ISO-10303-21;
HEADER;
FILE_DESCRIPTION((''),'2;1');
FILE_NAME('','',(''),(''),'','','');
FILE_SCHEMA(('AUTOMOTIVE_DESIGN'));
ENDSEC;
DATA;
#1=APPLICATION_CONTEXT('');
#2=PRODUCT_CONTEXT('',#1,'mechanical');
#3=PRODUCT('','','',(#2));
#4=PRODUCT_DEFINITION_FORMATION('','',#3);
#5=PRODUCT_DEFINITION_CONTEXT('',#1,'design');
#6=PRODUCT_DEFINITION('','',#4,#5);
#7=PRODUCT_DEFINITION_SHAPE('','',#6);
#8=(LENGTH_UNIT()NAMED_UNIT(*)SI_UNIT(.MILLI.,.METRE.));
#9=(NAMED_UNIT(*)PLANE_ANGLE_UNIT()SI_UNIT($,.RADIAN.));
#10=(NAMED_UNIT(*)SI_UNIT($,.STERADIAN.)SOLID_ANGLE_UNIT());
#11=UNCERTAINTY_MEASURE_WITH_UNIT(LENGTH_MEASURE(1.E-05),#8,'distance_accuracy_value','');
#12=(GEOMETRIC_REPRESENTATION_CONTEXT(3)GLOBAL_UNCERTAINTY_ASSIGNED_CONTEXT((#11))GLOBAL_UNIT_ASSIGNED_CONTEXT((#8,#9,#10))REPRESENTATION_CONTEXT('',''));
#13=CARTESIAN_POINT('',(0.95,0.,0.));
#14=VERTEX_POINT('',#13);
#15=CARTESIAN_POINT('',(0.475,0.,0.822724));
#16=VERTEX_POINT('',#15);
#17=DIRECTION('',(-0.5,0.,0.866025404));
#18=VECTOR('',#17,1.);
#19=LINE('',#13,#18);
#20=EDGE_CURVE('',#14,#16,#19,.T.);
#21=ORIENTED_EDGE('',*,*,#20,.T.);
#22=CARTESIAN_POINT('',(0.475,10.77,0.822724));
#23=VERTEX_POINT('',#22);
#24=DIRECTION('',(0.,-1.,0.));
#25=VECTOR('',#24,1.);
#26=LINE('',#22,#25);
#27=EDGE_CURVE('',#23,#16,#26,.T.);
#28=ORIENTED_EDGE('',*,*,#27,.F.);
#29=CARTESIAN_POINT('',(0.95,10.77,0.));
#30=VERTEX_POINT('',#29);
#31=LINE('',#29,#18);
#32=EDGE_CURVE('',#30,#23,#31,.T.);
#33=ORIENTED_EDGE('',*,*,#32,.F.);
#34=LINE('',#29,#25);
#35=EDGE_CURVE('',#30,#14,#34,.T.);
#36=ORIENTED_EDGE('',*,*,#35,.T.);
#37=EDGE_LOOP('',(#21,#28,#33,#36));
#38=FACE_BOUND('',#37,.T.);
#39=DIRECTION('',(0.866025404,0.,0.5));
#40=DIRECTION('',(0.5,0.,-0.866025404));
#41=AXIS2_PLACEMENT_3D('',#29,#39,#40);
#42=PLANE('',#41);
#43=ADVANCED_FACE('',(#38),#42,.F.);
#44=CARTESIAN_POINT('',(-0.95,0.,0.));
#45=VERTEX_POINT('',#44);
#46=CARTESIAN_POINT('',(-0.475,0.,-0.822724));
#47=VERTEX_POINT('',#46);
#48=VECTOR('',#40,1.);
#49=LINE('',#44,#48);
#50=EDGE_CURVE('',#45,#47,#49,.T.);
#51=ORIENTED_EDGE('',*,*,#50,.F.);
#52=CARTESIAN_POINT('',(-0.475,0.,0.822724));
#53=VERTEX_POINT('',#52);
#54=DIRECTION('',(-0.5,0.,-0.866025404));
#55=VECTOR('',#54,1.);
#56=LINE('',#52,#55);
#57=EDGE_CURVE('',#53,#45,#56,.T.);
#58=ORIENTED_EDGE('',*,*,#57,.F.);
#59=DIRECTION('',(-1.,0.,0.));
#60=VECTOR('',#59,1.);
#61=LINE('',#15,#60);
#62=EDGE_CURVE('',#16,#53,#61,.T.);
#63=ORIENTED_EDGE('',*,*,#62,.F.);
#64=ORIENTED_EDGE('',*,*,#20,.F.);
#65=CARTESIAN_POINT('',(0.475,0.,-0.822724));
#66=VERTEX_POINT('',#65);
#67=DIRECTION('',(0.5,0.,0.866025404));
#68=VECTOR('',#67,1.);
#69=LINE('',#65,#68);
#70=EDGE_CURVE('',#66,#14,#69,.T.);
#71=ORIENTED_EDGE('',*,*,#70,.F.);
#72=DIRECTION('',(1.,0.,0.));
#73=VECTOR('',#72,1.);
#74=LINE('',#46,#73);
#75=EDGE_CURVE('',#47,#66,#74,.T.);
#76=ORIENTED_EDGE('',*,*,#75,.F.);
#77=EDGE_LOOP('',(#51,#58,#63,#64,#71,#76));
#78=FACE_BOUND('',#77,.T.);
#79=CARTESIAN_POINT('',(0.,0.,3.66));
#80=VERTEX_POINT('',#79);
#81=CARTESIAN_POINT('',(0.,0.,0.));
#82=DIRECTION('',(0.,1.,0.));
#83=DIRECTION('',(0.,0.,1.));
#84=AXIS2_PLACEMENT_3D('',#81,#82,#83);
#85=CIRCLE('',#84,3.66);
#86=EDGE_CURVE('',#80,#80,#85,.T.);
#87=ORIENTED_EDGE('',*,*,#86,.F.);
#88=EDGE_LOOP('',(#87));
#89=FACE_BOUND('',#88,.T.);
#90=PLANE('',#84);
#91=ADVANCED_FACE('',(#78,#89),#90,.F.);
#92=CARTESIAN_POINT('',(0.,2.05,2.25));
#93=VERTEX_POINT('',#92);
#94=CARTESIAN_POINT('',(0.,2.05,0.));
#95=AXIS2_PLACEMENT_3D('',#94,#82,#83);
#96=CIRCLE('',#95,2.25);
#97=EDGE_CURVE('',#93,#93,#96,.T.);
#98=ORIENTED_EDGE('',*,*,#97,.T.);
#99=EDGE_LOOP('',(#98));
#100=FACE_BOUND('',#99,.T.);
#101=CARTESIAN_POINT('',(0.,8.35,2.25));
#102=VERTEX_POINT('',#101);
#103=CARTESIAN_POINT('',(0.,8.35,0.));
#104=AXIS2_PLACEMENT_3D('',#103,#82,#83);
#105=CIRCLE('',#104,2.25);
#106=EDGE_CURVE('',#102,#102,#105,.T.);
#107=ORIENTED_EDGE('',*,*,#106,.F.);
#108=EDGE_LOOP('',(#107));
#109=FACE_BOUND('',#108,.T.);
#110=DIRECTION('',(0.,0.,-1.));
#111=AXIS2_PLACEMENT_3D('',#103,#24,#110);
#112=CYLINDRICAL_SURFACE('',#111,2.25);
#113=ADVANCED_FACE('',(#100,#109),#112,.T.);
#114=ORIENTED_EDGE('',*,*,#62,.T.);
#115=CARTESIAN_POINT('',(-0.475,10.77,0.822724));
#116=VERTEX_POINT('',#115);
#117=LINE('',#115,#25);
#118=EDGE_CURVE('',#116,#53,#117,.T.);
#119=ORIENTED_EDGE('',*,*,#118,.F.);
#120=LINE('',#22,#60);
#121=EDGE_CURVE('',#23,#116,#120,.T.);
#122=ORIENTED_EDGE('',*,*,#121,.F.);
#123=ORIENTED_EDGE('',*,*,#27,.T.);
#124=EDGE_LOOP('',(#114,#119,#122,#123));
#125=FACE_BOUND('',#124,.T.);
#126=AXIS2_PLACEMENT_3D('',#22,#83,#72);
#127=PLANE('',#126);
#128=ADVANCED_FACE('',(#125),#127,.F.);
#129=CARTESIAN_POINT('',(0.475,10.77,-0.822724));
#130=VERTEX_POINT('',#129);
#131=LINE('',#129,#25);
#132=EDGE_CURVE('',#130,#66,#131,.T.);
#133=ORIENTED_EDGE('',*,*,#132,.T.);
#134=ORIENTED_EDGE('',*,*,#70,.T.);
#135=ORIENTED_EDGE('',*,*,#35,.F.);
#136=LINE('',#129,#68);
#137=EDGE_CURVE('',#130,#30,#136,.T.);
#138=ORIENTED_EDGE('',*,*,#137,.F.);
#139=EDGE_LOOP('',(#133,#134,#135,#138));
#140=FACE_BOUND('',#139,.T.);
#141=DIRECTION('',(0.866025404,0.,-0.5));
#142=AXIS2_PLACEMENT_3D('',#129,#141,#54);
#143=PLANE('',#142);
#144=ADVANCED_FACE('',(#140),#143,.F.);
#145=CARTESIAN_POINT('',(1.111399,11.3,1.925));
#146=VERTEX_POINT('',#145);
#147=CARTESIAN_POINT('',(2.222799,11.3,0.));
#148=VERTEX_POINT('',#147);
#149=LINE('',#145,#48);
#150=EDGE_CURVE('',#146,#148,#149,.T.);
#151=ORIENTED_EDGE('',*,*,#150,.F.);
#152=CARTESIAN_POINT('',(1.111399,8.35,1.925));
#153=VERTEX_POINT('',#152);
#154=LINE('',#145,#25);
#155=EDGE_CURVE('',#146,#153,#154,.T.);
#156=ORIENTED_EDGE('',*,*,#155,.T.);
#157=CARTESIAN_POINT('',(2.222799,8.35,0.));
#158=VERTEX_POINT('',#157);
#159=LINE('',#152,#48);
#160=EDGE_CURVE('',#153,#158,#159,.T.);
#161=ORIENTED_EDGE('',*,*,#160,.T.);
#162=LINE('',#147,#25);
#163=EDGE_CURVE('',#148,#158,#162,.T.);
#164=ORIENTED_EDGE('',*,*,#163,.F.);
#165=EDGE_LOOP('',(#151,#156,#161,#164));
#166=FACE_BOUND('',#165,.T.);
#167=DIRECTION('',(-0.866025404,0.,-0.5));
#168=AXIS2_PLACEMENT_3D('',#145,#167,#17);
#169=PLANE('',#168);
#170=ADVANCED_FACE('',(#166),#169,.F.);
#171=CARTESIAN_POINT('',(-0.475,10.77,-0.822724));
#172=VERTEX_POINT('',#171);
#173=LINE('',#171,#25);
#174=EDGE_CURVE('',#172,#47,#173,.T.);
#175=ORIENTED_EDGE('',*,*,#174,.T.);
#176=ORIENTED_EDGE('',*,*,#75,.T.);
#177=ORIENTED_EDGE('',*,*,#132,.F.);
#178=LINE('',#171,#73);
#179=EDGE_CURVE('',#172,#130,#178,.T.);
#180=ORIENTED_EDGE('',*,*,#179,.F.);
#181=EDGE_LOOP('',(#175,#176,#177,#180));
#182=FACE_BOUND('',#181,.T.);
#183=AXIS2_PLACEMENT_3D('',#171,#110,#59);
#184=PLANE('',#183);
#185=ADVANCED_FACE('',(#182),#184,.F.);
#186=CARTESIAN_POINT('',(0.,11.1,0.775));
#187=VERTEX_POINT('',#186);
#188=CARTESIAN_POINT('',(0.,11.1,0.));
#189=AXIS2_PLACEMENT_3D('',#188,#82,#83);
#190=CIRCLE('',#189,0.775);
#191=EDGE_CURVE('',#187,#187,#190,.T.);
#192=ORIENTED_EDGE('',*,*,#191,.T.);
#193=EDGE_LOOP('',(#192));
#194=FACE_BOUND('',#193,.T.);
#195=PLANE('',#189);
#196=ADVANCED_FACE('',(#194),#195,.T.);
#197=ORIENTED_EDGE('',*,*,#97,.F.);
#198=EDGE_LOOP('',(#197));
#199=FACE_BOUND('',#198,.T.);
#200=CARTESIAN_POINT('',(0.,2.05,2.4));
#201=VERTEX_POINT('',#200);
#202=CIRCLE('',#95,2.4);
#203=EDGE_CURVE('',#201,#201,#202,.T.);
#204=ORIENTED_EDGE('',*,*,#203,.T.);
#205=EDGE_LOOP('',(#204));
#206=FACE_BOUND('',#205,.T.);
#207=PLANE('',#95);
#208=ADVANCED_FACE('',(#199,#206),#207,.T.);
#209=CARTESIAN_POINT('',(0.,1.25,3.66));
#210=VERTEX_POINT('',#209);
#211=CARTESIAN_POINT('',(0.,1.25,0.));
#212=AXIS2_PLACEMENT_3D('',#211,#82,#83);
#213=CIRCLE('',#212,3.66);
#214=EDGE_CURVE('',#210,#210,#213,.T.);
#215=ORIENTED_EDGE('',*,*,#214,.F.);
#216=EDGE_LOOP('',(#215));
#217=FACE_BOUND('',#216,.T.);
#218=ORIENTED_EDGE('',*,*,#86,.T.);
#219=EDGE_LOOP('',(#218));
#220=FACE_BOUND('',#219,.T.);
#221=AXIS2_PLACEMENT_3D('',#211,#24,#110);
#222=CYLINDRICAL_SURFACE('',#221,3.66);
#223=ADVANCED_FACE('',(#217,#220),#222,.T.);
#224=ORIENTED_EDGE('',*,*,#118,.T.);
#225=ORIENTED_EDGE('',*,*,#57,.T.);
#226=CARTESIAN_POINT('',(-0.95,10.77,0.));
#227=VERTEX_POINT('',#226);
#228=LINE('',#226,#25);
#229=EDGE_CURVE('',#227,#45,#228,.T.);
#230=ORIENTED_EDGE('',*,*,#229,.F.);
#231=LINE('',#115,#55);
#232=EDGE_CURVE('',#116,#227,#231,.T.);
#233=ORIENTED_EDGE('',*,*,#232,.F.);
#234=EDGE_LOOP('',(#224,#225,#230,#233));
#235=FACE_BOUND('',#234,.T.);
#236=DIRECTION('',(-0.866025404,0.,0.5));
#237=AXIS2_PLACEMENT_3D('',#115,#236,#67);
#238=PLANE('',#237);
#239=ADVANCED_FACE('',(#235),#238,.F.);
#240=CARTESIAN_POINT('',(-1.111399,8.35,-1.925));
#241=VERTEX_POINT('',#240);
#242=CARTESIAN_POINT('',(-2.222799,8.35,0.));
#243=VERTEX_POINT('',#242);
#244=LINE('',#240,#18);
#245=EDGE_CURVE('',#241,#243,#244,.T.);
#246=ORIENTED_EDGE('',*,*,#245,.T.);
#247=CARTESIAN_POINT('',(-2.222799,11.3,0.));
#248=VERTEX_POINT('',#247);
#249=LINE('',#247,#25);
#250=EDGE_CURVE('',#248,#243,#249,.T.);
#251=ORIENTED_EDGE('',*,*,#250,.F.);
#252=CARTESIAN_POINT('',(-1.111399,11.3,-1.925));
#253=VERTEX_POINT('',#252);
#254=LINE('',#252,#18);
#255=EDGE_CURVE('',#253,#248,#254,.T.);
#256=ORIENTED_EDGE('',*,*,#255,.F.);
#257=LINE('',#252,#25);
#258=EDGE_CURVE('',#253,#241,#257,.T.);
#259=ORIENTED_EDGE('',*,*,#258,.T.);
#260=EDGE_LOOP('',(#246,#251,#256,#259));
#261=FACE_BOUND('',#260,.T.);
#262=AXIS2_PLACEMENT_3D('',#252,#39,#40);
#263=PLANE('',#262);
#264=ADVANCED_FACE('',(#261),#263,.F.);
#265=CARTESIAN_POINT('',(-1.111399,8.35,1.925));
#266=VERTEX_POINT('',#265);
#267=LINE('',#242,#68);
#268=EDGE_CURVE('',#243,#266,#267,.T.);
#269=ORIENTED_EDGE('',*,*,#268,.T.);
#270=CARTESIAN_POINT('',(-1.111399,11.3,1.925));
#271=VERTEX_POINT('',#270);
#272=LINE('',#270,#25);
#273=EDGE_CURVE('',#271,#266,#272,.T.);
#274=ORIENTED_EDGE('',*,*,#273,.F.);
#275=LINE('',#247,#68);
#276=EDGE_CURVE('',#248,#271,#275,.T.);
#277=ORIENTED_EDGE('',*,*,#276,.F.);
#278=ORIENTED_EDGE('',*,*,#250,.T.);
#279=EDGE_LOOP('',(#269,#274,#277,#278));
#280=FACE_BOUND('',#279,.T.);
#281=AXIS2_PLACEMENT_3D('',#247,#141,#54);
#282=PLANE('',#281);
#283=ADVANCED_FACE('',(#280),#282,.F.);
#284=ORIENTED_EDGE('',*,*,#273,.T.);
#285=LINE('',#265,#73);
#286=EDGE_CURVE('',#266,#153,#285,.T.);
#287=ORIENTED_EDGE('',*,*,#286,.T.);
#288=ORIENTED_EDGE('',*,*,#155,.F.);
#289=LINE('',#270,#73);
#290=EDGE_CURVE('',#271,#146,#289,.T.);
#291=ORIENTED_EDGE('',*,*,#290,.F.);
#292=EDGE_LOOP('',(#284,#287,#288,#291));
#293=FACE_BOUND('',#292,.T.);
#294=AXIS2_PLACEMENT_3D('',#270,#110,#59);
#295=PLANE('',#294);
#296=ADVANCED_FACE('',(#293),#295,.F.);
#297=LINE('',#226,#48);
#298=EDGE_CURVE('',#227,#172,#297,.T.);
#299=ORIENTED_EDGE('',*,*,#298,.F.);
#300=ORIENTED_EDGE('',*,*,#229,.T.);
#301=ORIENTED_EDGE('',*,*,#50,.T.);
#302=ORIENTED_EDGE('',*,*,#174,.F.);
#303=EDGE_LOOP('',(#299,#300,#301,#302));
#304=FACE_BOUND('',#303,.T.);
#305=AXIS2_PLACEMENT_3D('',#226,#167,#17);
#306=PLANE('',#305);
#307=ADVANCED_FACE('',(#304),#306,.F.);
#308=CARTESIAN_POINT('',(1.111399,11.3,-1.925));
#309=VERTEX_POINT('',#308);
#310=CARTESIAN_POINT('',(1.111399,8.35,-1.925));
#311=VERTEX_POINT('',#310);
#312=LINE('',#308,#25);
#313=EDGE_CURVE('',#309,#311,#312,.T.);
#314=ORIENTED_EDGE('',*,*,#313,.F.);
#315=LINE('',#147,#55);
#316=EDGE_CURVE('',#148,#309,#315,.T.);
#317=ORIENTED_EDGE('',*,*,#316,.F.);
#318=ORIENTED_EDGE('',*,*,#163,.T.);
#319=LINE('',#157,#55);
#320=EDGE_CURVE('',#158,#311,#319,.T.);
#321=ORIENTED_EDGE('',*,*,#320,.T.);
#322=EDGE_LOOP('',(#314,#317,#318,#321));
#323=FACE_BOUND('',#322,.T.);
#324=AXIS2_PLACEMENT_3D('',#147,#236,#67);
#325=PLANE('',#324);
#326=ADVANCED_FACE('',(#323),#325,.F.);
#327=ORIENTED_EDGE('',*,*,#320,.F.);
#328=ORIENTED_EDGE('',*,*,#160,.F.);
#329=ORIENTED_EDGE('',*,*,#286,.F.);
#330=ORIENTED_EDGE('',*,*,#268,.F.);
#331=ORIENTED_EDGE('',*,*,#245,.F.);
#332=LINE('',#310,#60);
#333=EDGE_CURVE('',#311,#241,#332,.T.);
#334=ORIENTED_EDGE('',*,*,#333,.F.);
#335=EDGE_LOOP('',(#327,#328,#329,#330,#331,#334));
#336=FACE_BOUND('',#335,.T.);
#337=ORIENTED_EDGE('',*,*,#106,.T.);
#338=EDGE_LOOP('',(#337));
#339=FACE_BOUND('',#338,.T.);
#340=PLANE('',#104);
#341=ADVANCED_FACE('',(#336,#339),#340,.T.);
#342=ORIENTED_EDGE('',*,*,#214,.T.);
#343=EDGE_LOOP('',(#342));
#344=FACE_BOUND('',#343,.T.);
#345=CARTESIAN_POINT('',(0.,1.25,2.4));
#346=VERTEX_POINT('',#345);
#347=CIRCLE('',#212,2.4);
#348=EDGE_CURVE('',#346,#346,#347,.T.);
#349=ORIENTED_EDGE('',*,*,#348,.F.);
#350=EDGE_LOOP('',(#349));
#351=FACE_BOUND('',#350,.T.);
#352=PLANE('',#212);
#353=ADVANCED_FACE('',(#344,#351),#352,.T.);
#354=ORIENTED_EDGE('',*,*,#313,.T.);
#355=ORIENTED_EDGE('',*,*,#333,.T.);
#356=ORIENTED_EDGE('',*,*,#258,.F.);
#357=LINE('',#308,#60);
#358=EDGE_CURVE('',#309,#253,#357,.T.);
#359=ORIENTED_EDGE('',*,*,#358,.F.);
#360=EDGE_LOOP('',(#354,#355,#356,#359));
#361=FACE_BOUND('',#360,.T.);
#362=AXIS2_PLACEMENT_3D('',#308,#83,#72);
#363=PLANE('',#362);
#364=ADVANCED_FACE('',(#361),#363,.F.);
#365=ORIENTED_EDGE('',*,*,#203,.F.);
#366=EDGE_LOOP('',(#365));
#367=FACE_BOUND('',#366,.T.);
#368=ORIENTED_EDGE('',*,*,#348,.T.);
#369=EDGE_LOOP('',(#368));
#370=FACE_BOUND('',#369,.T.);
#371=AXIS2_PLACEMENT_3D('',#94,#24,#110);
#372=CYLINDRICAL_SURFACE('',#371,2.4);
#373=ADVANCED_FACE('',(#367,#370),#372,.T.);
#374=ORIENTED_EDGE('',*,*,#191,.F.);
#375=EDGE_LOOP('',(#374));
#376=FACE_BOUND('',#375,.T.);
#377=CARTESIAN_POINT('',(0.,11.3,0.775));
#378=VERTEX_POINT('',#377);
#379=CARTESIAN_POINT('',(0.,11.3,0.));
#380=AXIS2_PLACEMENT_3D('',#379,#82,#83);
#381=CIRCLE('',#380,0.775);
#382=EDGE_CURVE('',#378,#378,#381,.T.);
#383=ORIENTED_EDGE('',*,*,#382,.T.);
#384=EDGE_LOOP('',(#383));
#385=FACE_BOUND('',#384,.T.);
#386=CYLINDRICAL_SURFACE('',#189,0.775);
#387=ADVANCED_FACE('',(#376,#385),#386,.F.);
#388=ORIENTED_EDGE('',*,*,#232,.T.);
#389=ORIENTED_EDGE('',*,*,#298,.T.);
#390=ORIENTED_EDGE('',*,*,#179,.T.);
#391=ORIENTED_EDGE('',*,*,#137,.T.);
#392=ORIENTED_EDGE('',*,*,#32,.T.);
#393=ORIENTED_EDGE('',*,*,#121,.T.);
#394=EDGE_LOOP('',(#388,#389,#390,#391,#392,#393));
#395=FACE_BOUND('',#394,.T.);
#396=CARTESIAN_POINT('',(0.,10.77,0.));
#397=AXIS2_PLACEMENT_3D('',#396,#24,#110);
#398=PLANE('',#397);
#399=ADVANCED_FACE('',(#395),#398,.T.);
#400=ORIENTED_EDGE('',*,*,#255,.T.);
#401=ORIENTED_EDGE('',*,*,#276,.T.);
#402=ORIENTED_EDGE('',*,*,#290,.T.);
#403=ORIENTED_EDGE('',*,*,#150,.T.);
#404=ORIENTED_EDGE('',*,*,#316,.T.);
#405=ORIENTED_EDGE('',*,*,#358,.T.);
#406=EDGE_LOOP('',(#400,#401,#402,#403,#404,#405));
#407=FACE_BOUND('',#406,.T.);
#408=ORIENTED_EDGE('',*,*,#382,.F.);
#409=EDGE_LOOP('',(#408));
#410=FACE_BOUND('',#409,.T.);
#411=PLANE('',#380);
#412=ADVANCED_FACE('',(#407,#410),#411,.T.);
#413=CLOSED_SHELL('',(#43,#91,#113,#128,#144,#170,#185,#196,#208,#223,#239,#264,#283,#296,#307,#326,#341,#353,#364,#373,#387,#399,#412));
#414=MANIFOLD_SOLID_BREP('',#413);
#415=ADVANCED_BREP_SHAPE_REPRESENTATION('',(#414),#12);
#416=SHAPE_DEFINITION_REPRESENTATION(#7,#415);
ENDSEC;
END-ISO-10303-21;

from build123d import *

# Parameters (mm, degrees)
SKETCH1_R           = 3.66
BOSS_EXTRUDE1_DEPTH = 1.25
SKETCH2_R           = 2.4
BOSS_EXTRUDE2_DEPTH = 0.8
SKETCH3_R           = 2.25
BOSS_EXTRUDE3_DEPTH = 6.3
BOSS_EXTRUDE4_DEPTH = 2.95
SKETCH5_R           = 0.775
CUT_EXTRUDE4_DEPTH  = 0.2
CUT_EXTRUDE7_DEPTH  = 10.77


with BuildPart() as part:
    # Sketch1 → Boss-Extrude1 (new body)
    with BuildSketch(Plane(origin=(0, 0, 0), x_dir=(1, 0, 0), z_dir=(0, 1, 0))):
        with Locations(Location((0, 0, 0), (0, 0, 270))):
            Circle(SKETCH1_R)
    extrude(amount=BOSS_EXTRUDE1_DEPTH)

    # Sketch2 → Boss-Extrude2 (add)
    with BuildSketch(Plane(origin=(0, 1.25, 0), x_dir=(1, 0, 0), z_dir=(0, 1, 0))):
        with Locations(Location((0, 0, 0), (0, 0, 270))):
            Circle(SKETCH2_R)
    extrude(amount=BOSS_EXTRUDE2_DEPTH)

    # Sketch3 → Boss-Extrude3 (add)
    with BuildSketch(Plane(origin=(0, 2.05, 0), x_dir=(1, 0, 0), z_dir=(0, 1, 0))):
        with Locations(Location((0, 0, 0), (0, 0, 270))):
            Circle(SKETCH3_R)
    extrude(amount=BOSS_EXTRUDE3_DEPTH)

    # Sketch4 → Boss-Extrude4 (add)
    with BuildSketch(Plane(origin=(0, 8.35, 0), x_dir=(1, 0, 0), z_dir=(0, 1, 0))):
        Polygon((-2.222798536, 0), (-1.111399268, -1.925), (1.111399268, -1.925), (2.222798536, 0), (1.111399268, 1.925), (-1.111399268, 1.925), align=None)
    extrude(amount=BOSS_EXTRUDE4_DEPTH)

    # Sketch5 → Cut-Extrude4 (cut)
    with BuildSketch(Plane(origin=(0, 11.3, 0), x_dir=(1, 0, 0), z_dir=(0, 1, 0))):
        with Locations(Location((0, 0, 0), (0, 0, 270))):
            Circle(SKETCH5_R)
    extrude(amount=-CUT_EXTRUDE4_DEPTH, mode=Mode.SUBTRACT)

    # Sketch7 → Cut-Extrude7 (cut)
    with BuildSketch(Plane.XZ):
        Polygon((-0.95, 0), (-0.475, -0.822724134), (0.475, -0.822724134), (0.95, 0), (0.475, 0.822724134), (-0.475, 0.822724134), align=None)
    extrude(amount=-CUT_EXTRUDE7_DEPTH, mode=Mode.SUBTRACT)


solid = part.part
